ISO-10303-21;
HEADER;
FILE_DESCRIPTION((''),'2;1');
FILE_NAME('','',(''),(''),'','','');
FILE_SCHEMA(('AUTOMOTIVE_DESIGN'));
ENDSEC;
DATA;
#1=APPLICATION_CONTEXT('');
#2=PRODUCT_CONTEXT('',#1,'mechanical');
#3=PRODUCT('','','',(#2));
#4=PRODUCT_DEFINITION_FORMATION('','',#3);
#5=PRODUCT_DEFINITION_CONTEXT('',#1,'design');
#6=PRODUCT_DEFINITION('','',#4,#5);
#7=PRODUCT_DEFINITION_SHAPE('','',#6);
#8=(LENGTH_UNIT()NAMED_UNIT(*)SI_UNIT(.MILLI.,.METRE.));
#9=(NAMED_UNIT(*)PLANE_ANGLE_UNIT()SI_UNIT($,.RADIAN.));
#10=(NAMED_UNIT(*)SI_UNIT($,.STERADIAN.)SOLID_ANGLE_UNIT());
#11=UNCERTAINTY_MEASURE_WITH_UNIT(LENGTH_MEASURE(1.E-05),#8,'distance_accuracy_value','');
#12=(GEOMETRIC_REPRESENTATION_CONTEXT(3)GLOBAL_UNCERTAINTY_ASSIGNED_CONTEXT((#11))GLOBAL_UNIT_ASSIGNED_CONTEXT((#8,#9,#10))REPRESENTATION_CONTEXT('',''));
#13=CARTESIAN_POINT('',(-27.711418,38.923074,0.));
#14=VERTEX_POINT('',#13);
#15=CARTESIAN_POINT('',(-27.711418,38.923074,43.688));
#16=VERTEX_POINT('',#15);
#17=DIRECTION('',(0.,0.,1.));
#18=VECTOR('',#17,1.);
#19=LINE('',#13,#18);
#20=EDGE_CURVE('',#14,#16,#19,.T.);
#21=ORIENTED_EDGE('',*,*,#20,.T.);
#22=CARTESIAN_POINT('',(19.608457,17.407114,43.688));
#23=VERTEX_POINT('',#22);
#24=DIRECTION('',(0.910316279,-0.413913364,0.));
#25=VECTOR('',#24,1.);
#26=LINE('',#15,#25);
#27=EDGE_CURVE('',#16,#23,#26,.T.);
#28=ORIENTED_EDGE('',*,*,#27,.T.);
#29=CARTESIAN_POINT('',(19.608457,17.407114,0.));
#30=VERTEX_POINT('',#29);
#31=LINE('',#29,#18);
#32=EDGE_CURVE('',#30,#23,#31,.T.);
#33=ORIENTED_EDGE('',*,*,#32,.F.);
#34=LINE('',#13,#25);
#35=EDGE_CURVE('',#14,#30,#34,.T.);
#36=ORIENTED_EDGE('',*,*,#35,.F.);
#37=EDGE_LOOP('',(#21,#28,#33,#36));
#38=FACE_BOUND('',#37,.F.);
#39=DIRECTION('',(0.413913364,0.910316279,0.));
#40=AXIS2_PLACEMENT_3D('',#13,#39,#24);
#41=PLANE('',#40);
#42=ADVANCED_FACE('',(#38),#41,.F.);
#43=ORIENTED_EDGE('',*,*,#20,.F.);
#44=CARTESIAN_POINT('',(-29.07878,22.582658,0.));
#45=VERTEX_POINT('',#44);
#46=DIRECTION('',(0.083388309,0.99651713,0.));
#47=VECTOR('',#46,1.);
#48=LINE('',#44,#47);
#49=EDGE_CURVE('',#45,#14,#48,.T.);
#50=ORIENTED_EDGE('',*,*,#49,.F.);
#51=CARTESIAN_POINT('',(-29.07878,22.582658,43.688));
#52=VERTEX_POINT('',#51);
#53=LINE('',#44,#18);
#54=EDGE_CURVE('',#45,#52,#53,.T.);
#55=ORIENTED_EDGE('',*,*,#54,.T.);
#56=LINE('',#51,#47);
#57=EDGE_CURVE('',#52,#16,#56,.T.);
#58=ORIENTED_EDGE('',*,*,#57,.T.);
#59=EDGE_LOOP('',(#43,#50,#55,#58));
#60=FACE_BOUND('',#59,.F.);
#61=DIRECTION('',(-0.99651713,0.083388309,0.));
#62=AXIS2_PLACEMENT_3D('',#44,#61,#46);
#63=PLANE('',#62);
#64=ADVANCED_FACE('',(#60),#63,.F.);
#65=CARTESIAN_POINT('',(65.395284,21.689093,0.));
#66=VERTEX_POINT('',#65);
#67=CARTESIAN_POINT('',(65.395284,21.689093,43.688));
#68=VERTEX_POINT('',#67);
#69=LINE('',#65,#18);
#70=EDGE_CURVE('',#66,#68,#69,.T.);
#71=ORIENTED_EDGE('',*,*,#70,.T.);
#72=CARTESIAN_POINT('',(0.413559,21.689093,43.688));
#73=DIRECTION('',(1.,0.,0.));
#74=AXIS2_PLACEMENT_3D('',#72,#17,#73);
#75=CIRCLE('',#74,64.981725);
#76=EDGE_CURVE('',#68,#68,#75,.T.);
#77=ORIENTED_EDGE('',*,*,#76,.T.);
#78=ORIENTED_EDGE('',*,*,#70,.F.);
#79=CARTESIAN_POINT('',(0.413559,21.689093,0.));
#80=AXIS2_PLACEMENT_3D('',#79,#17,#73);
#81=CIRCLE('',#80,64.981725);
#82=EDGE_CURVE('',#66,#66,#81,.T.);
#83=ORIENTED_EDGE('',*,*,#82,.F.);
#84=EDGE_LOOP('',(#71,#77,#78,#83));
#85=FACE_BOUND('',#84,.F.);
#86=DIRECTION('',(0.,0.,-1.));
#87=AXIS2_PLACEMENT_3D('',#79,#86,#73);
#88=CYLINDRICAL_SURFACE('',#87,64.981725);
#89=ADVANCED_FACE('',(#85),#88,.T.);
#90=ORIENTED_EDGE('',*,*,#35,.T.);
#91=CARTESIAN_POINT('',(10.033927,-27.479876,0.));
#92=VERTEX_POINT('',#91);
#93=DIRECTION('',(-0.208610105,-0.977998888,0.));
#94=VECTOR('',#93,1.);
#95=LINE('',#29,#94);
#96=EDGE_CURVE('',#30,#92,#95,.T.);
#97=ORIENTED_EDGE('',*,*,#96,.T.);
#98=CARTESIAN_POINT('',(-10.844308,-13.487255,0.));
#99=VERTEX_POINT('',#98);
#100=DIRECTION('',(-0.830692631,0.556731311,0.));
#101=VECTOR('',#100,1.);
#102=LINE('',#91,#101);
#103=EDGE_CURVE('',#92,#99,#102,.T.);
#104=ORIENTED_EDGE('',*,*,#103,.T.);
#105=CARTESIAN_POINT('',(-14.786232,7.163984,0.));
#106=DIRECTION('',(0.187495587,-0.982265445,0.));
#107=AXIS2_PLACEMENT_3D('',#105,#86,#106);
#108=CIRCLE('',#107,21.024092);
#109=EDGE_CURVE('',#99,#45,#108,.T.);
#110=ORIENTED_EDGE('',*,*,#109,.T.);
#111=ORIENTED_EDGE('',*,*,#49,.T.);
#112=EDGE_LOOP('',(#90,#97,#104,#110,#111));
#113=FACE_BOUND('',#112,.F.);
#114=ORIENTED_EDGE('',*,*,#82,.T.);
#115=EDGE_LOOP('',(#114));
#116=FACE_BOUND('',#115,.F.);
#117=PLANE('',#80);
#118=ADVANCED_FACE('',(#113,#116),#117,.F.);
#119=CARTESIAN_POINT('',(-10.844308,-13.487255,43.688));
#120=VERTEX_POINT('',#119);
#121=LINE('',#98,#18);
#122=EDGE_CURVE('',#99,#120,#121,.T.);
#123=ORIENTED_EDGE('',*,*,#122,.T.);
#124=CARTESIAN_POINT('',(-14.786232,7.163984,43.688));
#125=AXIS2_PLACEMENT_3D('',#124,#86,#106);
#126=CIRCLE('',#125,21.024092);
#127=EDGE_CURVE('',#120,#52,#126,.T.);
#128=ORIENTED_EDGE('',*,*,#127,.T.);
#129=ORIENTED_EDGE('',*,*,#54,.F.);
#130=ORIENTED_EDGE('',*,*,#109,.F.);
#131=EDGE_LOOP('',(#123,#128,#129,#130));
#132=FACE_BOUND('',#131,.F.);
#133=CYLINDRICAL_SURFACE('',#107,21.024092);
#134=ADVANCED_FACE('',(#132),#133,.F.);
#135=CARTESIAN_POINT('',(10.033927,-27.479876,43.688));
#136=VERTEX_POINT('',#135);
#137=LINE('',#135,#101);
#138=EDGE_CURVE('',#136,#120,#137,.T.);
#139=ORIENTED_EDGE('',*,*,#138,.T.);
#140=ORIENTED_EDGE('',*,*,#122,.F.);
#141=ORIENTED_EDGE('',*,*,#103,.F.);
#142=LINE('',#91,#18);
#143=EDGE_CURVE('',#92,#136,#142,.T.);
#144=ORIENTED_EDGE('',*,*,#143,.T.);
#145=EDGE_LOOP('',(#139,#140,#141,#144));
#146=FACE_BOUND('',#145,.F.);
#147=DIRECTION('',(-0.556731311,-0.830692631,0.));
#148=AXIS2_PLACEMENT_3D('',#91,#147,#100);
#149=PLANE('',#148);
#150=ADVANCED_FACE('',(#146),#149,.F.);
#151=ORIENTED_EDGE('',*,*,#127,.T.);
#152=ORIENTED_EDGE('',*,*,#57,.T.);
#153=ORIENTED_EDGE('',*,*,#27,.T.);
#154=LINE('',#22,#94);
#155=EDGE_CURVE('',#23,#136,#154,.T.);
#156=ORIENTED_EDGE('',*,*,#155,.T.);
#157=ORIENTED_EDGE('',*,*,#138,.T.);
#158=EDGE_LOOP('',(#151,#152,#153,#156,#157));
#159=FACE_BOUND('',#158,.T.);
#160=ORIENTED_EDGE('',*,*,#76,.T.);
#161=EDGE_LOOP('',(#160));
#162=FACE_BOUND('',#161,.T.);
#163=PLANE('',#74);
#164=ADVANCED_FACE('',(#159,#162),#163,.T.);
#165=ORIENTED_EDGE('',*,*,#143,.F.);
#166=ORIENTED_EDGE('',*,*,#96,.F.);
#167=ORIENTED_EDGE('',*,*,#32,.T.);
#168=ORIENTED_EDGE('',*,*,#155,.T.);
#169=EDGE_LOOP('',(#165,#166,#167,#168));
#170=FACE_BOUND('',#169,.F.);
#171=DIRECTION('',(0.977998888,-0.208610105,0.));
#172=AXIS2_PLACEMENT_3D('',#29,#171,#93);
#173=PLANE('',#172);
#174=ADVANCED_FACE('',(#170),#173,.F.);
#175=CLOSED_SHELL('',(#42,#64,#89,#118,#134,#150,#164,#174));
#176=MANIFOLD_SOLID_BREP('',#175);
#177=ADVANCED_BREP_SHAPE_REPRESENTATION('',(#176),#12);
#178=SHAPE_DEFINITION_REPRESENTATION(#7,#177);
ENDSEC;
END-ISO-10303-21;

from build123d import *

# Parameters (mm, degrees)
F0_R     = 64.981725
F1_DEPTH = 43.688


with BuildPart() as f1:
    # F0 (on Top) → F1 (new body)
    with BuildSketch(Plane.XY):
        with Locations((0.413559, 21.689093)):
            Circle(F0_R)
        with BuildLine():
            ThreePointArc((-10.844308, -13.487255), (-33.549055, -2.321211), (-29.07878, 22.582658))
            Line((-29.07878, 22.582658), (-27.711418, 38.923074))
            Line((-27.711418, 38.923074), (19.608457, 17.407114))
            Line((19.608457, 17.407114), (10.033927, -27.479876))
            Line((10.033927, -27.479876), (-10.844308, -13.487255))
        make_face(mode=Mode.SUBTRACT)
    extrude(amount=F1_DEPTH)


solid = f1.part
